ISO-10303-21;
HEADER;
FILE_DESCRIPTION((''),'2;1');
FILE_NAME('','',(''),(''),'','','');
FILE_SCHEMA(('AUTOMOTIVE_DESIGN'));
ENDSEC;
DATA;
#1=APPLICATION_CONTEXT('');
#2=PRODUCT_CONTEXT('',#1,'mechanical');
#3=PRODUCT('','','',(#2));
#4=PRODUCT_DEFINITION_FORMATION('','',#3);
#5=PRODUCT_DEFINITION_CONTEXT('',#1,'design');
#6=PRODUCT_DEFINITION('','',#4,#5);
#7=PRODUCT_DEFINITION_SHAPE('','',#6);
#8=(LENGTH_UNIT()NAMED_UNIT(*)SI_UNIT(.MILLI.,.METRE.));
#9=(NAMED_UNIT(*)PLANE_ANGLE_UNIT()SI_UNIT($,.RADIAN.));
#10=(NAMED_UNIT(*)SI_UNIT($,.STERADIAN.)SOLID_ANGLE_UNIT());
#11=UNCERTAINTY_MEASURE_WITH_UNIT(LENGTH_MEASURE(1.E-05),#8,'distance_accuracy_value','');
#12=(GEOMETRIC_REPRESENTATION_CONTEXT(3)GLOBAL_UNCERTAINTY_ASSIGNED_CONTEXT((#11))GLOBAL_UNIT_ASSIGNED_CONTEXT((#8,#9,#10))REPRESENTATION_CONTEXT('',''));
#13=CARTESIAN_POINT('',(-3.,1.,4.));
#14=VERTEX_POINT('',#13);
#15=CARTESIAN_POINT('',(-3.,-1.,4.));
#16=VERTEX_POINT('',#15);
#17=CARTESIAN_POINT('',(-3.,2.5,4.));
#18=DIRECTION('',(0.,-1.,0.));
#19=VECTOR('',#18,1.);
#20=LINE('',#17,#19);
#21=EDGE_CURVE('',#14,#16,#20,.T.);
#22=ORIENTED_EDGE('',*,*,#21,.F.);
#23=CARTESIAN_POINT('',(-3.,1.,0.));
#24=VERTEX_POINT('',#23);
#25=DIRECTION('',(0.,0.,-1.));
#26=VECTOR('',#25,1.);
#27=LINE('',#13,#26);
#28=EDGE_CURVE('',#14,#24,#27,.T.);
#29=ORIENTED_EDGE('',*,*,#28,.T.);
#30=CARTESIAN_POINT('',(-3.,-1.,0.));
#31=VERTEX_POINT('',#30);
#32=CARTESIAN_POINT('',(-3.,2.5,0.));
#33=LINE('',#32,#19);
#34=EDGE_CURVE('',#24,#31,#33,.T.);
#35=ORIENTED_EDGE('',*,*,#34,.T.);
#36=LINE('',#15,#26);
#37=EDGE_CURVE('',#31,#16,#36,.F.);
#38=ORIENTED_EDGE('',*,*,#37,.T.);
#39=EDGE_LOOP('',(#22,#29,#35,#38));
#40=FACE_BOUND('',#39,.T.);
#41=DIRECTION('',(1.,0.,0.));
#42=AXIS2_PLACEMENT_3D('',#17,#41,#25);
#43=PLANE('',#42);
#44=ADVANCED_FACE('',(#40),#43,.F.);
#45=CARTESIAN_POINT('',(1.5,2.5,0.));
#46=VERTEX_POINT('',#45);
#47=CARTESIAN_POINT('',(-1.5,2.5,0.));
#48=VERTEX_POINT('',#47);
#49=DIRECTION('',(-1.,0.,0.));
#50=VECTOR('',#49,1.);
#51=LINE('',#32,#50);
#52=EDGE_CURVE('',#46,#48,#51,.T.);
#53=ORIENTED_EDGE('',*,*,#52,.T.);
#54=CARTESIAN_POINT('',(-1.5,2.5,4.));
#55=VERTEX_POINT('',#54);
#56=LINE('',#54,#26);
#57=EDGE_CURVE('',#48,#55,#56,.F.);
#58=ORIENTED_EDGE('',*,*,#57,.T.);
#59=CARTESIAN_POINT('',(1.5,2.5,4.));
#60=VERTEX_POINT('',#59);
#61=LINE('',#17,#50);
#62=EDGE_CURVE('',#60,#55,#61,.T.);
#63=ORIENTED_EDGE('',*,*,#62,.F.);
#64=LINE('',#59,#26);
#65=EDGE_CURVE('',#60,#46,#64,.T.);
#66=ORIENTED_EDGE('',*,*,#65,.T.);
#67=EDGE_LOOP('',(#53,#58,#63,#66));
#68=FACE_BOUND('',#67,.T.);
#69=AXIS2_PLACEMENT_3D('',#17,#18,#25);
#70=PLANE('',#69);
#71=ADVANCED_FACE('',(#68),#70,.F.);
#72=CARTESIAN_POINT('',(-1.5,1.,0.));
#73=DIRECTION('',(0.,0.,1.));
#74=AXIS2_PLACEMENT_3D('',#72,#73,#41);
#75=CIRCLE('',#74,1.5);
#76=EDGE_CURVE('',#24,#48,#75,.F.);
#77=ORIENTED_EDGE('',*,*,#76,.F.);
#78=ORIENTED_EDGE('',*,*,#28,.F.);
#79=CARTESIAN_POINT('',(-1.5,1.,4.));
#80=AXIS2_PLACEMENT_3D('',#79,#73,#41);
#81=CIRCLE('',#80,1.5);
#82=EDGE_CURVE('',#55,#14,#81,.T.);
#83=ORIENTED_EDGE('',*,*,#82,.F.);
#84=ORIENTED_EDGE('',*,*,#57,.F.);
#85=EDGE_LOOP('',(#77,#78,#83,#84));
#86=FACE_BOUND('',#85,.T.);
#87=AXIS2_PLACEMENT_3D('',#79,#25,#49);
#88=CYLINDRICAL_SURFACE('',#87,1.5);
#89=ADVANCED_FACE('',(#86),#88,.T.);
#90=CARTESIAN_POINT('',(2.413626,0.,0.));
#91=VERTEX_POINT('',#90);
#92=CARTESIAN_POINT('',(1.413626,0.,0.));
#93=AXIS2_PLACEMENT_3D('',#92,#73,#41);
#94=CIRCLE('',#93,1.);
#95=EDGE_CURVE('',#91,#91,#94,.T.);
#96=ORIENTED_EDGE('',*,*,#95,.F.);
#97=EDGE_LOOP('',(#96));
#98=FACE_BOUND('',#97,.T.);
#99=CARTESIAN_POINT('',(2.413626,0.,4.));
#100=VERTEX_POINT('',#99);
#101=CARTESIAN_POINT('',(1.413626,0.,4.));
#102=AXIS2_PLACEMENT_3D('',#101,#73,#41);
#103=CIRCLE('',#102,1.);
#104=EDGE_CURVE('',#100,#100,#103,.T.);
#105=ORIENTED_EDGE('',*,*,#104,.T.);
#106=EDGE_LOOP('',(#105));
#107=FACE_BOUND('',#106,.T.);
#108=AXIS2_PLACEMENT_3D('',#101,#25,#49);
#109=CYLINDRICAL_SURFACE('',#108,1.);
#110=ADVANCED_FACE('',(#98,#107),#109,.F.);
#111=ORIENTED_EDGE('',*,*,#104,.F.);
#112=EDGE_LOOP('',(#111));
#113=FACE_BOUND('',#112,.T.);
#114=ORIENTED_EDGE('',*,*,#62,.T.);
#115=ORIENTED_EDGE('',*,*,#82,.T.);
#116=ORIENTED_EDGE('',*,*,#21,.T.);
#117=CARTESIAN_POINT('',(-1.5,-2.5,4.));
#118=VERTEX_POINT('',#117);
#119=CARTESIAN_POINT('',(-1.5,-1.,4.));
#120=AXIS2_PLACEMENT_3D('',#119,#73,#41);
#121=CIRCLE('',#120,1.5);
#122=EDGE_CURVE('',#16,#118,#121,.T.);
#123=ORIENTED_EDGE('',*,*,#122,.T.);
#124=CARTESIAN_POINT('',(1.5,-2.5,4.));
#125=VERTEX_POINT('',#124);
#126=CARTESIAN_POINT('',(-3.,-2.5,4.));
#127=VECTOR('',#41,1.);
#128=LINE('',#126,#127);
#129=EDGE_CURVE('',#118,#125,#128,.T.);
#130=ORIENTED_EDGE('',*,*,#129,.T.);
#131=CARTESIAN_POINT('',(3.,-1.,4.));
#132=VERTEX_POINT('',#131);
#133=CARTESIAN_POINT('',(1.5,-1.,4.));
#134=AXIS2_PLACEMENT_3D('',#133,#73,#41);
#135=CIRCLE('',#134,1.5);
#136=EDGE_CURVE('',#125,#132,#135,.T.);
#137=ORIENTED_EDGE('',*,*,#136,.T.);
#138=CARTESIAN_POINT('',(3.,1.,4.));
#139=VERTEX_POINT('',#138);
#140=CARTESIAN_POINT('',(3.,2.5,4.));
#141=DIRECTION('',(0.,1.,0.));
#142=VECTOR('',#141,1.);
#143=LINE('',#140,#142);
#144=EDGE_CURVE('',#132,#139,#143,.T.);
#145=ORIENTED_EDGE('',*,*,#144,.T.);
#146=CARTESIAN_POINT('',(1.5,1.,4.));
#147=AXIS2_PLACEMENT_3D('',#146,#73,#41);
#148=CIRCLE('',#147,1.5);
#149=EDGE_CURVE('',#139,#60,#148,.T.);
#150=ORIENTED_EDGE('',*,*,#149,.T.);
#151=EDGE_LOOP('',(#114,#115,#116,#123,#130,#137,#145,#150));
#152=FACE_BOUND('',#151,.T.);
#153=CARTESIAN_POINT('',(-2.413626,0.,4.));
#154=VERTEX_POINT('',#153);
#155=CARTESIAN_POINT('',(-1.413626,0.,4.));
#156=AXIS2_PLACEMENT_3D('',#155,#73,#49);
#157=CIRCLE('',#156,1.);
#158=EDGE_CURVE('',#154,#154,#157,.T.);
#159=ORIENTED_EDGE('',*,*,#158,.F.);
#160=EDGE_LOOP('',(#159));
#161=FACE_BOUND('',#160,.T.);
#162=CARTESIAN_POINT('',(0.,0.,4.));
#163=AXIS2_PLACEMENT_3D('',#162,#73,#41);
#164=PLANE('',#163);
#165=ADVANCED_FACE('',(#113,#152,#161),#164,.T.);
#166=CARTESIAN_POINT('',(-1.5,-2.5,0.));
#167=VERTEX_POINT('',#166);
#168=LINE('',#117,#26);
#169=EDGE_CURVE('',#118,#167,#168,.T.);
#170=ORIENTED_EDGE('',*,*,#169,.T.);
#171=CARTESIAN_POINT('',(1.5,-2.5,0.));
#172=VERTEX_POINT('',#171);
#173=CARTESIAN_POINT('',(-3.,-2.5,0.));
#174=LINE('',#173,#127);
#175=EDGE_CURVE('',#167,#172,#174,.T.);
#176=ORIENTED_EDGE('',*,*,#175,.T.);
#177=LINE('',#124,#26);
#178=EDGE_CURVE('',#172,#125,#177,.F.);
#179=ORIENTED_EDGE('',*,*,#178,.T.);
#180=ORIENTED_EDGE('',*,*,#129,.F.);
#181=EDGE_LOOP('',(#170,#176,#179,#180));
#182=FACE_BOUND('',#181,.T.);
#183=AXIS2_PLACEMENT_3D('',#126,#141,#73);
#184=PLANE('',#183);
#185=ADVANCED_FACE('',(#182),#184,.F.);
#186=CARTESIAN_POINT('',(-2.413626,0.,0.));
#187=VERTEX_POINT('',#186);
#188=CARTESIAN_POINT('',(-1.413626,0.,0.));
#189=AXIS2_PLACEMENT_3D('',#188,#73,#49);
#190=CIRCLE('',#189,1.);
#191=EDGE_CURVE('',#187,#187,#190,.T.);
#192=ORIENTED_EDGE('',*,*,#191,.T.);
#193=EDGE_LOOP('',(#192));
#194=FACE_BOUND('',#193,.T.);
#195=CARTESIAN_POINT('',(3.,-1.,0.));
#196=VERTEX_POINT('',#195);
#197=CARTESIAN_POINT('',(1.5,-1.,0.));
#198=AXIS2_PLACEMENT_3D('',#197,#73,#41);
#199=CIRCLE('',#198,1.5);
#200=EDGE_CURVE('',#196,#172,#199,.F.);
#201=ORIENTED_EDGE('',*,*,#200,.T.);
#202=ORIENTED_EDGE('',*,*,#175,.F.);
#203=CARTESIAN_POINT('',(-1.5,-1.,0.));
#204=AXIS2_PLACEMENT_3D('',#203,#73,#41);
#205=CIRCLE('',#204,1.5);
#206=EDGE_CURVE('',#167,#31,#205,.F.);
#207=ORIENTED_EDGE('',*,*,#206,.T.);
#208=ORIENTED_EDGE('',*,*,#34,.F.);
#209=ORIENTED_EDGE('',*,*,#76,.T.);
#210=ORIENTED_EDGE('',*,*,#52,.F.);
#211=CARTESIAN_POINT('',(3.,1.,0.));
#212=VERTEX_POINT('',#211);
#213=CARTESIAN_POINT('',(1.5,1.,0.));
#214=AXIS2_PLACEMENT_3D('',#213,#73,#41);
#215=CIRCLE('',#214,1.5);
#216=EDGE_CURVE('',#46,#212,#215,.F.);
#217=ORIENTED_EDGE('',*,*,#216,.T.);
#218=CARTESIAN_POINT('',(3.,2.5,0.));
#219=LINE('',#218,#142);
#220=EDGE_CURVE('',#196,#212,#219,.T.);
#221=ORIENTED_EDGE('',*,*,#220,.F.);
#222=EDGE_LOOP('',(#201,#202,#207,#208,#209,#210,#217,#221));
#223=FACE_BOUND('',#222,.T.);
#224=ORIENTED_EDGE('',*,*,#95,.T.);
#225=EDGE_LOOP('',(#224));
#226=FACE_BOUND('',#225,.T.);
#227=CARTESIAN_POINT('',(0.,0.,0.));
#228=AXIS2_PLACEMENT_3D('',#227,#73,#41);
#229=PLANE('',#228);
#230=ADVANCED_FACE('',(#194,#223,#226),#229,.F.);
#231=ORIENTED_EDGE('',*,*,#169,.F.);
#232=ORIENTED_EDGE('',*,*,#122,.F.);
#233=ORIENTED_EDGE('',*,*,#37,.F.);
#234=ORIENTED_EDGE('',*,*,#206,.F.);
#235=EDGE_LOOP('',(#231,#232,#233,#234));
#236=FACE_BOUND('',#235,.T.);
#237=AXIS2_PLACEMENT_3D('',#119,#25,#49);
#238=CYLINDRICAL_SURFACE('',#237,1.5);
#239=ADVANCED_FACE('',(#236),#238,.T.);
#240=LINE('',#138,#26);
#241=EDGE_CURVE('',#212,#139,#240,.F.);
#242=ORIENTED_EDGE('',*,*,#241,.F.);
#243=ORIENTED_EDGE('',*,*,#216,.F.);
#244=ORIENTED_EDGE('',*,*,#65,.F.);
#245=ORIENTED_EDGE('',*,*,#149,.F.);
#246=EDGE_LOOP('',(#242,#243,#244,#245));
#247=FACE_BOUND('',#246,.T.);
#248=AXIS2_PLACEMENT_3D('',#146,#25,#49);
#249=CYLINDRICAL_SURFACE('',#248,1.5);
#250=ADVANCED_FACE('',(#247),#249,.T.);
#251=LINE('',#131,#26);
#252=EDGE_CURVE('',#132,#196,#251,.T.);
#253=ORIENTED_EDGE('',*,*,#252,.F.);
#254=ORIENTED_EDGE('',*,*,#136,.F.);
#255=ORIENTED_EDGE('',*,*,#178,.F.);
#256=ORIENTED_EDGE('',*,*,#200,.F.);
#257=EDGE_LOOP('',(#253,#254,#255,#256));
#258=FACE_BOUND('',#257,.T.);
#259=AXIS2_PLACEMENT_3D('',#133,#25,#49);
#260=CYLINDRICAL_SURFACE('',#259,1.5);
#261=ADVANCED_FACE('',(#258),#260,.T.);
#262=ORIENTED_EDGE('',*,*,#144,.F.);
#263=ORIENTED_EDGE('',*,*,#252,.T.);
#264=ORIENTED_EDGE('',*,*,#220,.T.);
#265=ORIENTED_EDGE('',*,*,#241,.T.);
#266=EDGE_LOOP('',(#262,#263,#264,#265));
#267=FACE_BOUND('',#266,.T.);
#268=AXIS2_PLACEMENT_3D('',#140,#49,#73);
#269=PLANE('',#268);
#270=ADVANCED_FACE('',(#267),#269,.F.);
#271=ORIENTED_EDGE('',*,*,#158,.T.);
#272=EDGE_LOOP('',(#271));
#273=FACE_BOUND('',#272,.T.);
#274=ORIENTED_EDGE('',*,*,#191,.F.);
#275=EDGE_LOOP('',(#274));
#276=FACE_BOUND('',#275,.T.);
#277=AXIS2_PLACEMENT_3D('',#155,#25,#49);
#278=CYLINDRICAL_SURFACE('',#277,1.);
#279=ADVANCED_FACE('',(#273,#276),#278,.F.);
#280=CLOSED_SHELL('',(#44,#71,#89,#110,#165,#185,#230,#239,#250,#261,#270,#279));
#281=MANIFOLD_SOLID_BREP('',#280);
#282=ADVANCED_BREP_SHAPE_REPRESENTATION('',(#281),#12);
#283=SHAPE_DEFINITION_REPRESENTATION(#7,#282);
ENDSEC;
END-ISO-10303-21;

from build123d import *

# Parameters (mm, degrees)
SKETCH1_W           = 6
SKETCH1_H           = 5
SKETCH1_R           = 1
BOSS_EXTRUDE1_DEPTH = 4
FILLET1_R           = 1.5


with BuildPart() as part:
    # Sketch1 → Boss-Extrude1 (new body)
    with BuildSketch(Plane.XY):
        Rectangle(SKETCH1_W, SKETCH1_H)
        with Locations((1.413625544, 0)):
            Circle(SKETCH1_R, mode=Mode.SUBTRACT)
        with Locations(Location((-1.413625544, 0, 0), (0, 0, 180))):
            Circle(SKETCH1_R, mode=Mode.SUBTRACT)
    extrude(amount=BOSS_EXTRUDE1_DEPTH)

    # Fillet1
    fillet1_edges = [part.edges().sort_by_distance(p)[0] for p in [
        (3, -2.5, 2),
        (-3, -2.5, 2),
        (-3, 2.5, 2),
        (3, 2.5, 2),
    ]]
    fillet(fillet1_edges, radius=FILLET1_R)


solid = part.part
